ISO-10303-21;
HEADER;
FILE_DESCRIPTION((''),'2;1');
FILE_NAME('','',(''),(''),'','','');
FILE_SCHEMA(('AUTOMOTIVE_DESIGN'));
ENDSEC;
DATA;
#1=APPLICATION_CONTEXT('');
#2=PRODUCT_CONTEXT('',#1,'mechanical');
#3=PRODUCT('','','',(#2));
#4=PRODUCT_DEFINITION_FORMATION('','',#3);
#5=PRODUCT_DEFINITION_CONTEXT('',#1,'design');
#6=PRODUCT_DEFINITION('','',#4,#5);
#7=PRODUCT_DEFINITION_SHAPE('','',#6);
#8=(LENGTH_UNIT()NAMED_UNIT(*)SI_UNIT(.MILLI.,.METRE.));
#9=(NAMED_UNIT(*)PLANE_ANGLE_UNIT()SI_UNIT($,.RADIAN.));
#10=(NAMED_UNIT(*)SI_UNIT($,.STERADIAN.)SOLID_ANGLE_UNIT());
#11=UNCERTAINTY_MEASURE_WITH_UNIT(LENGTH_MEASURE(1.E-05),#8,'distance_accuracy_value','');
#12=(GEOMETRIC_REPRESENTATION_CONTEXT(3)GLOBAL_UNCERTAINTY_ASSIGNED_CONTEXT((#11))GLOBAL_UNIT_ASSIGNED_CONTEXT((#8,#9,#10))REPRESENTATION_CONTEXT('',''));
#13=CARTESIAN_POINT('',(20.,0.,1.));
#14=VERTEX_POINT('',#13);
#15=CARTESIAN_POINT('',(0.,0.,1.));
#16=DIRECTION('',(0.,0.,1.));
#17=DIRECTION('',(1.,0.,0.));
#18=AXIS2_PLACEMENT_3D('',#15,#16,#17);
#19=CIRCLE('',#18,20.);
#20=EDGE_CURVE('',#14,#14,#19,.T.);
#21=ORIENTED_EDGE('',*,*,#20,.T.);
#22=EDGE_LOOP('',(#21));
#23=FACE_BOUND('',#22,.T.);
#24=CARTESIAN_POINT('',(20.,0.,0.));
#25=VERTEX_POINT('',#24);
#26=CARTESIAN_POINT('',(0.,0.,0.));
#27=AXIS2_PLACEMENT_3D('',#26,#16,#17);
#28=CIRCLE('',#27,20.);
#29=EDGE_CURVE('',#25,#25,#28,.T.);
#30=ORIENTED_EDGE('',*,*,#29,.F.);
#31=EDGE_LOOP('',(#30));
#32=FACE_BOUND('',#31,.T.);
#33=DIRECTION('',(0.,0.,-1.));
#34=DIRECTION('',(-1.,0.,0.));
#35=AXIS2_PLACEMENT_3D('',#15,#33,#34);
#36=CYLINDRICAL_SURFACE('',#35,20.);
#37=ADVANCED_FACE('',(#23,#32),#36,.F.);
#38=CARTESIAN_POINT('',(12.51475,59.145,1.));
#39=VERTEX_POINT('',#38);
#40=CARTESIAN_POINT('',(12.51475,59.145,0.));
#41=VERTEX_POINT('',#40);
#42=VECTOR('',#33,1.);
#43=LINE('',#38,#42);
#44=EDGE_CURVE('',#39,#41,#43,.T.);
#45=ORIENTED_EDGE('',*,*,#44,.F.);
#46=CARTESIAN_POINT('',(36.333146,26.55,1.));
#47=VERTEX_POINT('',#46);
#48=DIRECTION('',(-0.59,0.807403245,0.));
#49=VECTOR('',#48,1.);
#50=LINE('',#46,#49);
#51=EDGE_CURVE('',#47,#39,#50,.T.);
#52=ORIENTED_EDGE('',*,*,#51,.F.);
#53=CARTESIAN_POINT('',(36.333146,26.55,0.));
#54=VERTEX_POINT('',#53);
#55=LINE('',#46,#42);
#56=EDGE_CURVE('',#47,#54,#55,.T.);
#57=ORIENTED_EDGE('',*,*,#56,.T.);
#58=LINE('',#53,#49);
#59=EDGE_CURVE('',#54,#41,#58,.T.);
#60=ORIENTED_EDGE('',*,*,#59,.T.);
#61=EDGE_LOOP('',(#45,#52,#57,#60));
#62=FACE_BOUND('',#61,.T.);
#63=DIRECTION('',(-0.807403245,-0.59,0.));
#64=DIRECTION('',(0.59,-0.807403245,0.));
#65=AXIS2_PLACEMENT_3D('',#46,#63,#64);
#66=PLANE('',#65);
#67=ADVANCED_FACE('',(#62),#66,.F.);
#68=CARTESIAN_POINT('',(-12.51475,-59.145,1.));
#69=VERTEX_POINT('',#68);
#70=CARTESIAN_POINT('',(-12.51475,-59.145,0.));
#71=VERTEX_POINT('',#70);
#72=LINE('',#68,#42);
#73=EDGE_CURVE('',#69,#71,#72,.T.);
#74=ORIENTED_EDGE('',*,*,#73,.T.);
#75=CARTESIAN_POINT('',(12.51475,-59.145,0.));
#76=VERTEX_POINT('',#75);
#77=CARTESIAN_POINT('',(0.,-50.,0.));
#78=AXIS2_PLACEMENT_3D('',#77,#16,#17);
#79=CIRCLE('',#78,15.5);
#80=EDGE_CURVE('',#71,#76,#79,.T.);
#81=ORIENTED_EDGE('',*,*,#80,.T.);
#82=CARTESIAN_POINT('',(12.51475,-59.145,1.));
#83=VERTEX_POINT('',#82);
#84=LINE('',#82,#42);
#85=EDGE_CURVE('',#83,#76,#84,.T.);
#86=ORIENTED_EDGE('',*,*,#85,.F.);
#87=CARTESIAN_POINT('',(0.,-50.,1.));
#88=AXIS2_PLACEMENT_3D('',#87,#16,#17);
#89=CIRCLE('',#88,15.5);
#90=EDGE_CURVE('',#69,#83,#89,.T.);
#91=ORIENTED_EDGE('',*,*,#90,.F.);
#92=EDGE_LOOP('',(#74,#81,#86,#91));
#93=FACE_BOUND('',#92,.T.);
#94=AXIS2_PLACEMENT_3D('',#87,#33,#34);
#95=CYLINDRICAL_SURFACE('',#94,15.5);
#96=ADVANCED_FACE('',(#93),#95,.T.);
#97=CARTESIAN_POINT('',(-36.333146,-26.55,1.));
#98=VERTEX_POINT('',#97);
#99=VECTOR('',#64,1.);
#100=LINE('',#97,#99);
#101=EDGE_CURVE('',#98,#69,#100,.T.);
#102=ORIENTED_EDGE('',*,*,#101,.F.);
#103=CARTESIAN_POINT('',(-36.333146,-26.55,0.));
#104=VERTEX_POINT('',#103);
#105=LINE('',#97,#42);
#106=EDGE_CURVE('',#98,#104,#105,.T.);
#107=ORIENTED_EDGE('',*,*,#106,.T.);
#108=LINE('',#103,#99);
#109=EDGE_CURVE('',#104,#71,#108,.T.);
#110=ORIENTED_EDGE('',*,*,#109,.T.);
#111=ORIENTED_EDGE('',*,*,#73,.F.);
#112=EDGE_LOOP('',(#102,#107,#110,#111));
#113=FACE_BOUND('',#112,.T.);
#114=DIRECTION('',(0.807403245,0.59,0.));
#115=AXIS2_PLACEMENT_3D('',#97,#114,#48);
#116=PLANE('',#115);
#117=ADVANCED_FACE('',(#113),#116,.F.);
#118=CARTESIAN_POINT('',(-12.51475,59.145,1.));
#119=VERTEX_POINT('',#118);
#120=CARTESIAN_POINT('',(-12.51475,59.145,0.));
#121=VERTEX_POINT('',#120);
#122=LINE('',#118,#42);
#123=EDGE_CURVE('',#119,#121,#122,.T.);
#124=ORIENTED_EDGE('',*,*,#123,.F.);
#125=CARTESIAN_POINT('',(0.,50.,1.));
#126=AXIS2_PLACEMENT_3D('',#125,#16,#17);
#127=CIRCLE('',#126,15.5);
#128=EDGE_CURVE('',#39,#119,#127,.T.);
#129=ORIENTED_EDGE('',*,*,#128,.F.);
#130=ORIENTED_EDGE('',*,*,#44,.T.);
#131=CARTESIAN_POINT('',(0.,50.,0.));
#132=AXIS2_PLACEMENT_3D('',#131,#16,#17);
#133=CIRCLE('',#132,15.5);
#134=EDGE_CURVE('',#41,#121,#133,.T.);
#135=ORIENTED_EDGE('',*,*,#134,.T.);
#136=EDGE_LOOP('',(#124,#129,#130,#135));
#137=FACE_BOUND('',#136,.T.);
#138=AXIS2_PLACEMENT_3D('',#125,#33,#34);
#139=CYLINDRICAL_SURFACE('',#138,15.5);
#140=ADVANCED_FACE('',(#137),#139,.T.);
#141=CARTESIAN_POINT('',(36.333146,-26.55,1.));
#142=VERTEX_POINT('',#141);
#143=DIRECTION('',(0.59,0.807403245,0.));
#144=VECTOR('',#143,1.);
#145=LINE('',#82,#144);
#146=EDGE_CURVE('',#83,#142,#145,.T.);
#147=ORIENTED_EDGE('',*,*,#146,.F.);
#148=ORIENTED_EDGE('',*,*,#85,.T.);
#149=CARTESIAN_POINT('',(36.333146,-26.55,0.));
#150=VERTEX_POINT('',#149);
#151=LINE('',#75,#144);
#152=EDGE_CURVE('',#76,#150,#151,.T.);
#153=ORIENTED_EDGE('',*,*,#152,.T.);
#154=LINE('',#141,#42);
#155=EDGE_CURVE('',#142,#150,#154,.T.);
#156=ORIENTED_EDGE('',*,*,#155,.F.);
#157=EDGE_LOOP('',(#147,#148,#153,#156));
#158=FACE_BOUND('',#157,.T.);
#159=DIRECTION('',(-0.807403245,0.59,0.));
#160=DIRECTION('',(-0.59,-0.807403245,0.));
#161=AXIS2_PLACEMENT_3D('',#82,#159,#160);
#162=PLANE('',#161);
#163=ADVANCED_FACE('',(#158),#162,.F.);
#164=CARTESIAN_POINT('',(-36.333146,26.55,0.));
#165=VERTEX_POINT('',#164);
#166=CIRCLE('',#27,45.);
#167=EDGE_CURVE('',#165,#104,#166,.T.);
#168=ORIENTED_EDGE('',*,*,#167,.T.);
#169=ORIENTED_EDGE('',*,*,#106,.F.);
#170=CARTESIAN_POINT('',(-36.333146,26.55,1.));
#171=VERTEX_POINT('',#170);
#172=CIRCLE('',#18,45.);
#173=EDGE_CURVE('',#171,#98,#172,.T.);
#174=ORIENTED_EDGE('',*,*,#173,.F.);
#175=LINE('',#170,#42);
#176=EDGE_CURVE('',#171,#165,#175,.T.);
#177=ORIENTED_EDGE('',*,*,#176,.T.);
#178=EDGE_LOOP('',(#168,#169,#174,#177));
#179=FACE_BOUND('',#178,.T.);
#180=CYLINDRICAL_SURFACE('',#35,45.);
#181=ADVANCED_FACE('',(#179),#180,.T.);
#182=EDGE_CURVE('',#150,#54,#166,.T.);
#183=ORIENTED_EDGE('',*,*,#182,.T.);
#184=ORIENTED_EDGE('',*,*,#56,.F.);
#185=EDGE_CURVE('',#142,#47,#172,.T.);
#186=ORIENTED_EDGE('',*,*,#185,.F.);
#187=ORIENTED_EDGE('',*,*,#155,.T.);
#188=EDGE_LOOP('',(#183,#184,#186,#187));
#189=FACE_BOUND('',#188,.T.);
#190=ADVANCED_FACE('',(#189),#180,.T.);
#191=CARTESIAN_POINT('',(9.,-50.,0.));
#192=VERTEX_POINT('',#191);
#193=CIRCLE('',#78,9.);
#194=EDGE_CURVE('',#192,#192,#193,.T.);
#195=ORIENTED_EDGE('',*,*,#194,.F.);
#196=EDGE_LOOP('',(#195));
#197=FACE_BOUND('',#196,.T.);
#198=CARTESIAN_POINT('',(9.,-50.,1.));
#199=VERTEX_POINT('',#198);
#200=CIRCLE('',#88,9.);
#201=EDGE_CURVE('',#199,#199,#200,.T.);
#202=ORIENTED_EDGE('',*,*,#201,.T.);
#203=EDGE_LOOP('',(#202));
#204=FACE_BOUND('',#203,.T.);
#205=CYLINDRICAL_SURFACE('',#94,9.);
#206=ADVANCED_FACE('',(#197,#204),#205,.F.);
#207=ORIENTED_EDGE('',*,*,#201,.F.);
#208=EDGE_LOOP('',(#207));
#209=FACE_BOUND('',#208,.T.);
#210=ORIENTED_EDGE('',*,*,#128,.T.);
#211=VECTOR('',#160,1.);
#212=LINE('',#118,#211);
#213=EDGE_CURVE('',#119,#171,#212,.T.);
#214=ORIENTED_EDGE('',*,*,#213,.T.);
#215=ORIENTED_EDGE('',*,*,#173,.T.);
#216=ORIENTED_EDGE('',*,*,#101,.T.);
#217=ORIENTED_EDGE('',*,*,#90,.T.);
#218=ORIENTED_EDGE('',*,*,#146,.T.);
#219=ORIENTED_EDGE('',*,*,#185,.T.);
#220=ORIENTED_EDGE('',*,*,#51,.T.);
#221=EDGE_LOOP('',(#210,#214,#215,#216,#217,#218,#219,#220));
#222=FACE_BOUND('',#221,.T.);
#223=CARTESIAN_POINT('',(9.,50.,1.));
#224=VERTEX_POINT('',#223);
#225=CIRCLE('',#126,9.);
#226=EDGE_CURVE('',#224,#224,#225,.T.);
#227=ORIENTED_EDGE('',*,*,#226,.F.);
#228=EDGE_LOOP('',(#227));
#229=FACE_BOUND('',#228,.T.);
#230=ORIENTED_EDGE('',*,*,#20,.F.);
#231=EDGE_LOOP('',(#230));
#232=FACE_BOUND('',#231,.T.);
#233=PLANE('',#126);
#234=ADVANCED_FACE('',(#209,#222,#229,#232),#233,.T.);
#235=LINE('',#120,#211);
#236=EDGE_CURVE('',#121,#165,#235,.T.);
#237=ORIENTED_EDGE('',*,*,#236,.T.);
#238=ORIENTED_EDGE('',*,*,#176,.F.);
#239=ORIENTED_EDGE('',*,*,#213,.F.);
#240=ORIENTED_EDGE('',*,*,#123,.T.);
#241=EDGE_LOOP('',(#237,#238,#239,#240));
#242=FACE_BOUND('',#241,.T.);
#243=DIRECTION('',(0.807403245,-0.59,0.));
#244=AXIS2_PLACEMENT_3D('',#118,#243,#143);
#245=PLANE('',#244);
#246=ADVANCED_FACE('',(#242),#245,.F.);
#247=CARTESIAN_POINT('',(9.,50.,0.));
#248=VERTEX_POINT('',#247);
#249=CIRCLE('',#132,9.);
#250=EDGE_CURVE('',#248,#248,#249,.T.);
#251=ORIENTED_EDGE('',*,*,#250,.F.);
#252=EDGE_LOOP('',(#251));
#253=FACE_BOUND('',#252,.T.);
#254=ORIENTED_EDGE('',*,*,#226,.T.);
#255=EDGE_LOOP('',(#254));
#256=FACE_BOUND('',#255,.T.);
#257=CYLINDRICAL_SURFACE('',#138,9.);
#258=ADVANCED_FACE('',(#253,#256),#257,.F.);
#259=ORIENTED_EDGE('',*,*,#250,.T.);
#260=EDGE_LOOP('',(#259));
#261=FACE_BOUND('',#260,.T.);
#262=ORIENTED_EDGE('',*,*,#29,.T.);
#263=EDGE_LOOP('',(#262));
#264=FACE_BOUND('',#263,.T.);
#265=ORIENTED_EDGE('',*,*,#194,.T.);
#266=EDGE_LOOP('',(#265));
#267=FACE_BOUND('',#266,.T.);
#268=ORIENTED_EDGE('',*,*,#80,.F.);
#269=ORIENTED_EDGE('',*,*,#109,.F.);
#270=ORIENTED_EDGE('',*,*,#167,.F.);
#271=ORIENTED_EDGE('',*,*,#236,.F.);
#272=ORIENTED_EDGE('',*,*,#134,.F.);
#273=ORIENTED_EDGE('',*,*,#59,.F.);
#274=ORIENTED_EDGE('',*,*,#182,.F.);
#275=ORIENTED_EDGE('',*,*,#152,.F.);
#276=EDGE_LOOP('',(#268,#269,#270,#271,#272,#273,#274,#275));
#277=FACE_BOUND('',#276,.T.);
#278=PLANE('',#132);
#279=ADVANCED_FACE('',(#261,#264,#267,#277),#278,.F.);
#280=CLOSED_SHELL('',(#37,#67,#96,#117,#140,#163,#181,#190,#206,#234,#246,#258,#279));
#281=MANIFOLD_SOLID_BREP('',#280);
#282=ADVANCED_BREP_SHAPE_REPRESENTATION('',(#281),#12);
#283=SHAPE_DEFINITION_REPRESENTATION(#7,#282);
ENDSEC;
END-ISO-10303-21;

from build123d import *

# Parameters (mm, degrees)
SKETCH1_R      = 20
SKETCH1_R_2    = 9
EXTRUDE1_DEPTH = 1


with BuildPart() as part:
    # Sketch1 → Extrude1 (new body)
    with BuildSketch(Plane.XY):
        with BuildLine():
            Line((-12.514750297, 59.145), (-36.333146024, 26.55))
            ThreePointArc((-36.333146024, 26.55), (-45, 0), (-36.333146024, -26.55))
            Line((-36.333146024, -26.55), (-12.514750297, -59.145))
            ThreePointArc((-12.514750297, -59.145), (0, -65.5), (12.514750297, -59.145))
            Line((12.514750297, -59.145), (36.333146024, -26.55))
            ThreePointArc((36.333146024, -26.55), (45, 0), (36.333146024, 26.55))
            Line((36.333146024, 26.55), (12.514750297, 59.145))
            ThreePointArc((12.514750297, 59.145), (0, 65.5), (-12.514750297, 59.145))
        make_face()
        Circle(SKETCH1_R, mode=Mode.SUBTRACT)
        with Locations((0, -50)):
            Circle(SKETCH1_R_2, mode=Mode.SUBTRACT)
        with Locations((0, 50)):
            Circle(SKETCH1_R_2, mode=Mode.SUBTRACT)
    extrude(amount=EXTRUDE1_DEPTH)


solid = part.part
